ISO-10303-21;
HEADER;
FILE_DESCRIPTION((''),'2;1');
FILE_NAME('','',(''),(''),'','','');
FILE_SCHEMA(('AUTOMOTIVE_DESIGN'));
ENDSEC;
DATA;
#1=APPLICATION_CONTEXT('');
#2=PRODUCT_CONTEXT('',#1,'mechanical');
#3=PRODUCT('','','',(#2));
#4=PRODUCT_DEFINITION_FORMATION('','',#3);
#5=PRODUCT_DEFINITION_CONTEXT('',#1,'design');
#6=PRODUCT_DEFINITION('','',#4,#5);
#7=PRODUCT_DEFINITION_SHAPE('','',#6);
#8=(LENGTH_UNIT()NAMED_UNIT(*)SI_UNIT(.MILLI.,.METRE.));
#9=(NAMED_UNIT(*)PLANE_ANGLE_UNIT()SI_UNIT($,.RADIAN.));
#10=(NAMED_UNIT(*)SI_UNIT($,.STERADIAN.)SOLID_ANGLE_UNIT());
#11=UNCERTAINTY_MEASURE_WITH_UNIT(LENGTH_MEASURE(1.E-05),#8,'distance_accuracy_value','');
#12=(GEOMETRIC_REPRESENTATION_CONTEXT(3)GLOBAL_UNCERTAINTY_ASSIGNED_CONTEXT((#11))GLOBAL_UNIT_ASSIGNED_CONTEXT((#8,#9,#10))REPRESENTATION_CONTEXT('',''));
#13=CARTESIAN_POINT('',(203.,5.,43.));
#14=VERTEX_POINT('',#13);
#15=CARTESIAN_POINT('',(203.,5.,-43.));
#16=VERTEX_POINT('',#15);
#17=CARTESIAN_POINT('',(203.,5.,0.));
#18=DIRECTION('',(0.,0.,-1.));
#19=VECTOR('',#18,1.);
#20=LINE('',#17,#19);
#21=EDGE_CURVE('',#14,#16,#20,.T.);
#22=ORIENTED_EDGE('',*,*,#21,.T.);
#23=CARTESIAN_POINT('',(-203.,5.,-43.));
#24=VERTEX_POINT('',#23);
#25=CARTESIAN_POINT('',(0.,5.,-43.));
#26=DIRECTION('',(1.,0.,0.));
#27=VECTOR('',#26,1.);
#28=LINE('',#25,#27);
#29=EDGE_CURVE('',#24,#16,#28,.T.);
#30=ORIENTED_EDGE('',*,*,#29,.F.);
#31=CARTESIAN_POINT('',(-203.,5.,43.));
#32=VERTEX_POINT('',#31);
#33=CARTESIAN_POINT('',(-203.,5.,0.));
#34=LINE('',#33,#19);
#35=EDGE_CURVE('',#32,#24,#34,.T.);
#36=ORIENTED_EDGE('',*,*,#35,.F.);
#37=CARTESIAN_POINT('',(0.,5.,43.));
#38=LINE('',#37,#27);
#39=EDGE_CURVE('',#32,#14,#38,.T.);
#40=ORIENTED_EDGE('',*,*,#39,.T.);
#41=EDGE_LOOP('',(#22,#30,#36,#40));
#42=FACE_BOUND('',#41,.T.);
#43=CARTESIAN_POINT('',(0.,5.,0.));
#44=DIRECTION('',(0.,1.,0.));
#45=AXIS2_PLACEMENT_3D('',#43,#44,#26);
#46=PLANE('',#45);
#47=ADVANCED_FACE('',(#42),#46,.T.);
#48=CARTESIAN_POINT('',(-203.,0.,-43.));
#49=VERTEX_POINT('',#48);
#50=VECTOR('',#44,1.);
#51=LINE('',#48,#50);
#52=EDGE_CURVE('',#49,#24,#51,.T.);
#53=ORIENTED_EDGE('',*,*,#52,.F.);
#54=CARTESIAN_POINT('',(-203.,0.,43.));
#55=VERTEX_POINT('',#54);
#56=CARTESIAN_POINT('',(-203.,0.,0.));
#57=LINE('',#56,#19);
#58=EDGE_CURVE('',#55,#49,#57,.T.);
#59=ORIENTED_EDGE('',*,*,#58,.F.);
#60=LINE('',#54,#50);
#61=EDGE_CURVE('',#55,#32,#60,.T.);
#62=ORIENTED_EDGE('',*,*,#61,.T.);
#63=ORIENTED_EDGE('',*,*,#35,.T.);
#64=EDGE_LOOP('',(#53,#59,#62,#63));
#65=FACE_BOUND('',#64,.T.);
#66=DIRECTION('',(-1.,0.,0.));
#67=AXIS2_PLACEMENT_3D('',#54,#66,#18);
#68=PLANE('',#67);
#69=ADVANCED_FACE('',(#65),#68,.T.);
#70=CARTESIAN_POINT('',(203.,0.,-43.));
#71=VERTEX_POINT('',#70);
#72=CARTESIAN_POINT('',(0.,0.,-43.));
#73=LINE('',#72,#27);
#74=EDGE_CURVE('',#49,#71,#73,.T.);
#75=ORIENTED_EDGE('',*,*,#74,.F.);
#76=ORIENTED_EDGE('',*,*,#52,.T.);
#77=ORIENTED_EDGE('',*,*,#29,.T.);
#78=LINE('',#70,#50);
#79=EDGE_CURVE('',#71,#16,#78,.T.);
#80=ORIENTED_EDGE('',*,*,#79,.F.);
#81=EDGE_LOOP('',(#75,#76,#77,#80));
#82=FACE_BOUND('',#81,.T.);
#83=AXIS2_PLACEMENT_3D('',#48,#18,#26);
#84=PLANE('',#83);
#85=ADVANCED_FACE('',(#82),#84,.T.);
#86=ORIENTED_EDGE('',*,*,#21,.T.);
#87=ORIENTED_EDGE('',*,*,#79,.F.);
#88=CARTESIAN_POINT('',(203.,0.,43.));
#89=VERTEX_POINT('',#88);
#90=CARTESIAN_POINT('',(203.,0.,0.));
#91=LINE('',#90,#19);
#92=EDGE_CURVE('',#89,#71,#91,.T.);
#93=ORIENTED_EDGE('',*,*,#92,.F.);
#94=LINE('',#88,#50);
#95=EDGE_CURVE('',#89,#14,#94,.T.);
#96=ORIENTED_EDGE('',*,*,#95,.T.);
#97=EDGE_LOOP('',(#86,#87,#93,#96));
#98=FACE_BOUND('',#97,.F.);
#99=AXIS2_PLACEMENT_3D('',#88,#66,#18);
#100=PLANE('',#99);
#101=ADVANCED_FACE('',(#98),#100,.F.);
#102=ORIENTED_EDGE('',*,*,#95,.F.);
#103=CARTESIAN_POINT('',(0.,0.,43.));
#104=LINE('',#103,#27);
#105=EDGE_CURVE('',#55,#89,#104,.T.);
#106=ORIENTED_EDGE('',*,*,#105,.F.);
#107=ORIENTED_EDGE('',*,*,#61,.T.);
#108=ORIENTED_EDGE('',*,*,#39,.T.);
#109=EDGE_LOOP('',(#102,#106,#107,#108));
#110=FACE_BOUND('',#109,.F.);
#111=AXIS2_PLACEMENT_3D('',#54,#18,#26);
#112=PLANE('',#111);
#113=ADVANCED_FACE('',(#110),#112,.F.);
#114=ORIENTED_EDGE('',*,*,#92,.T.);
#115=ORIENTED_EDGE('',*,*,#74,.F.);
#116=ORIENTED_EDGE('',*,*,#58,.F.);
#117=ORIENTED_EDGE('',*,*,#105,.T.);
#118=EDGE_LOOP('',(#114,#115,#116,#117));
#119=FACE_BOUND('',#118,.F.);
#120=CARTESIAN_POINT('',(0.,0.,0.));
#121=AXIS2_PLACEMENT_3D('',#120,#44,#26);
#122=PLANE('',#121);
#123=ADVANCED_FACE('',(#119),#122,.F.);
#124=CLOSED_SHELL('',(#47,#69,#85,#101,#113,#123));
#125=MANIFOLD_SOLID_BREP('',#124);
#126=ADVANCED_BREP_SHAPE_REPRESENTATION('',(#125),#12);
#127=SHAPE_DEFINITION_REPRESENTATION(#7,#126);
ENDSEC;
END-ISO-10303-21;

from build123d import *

# Parameters (mm, degrees)
SKETCH1_W           = 406
SKETCH1_H           = 86
BOSS_EXTRUDE1_DEPTH = 5


with BuildPart() as part:
    # Sketch1 → Boss-Extrude1 (new body)
    with BuildSketch(Plane(origin=(0, 0, 0), x_dir=(1, 0, 0), z_dir=(0, 1, 0))):
        Rectangle(SKETCH1_W, SKETCH1_H)
    extrude(amount=BOSS_EXTRUDE1_DEPTH)


solid = part.part
